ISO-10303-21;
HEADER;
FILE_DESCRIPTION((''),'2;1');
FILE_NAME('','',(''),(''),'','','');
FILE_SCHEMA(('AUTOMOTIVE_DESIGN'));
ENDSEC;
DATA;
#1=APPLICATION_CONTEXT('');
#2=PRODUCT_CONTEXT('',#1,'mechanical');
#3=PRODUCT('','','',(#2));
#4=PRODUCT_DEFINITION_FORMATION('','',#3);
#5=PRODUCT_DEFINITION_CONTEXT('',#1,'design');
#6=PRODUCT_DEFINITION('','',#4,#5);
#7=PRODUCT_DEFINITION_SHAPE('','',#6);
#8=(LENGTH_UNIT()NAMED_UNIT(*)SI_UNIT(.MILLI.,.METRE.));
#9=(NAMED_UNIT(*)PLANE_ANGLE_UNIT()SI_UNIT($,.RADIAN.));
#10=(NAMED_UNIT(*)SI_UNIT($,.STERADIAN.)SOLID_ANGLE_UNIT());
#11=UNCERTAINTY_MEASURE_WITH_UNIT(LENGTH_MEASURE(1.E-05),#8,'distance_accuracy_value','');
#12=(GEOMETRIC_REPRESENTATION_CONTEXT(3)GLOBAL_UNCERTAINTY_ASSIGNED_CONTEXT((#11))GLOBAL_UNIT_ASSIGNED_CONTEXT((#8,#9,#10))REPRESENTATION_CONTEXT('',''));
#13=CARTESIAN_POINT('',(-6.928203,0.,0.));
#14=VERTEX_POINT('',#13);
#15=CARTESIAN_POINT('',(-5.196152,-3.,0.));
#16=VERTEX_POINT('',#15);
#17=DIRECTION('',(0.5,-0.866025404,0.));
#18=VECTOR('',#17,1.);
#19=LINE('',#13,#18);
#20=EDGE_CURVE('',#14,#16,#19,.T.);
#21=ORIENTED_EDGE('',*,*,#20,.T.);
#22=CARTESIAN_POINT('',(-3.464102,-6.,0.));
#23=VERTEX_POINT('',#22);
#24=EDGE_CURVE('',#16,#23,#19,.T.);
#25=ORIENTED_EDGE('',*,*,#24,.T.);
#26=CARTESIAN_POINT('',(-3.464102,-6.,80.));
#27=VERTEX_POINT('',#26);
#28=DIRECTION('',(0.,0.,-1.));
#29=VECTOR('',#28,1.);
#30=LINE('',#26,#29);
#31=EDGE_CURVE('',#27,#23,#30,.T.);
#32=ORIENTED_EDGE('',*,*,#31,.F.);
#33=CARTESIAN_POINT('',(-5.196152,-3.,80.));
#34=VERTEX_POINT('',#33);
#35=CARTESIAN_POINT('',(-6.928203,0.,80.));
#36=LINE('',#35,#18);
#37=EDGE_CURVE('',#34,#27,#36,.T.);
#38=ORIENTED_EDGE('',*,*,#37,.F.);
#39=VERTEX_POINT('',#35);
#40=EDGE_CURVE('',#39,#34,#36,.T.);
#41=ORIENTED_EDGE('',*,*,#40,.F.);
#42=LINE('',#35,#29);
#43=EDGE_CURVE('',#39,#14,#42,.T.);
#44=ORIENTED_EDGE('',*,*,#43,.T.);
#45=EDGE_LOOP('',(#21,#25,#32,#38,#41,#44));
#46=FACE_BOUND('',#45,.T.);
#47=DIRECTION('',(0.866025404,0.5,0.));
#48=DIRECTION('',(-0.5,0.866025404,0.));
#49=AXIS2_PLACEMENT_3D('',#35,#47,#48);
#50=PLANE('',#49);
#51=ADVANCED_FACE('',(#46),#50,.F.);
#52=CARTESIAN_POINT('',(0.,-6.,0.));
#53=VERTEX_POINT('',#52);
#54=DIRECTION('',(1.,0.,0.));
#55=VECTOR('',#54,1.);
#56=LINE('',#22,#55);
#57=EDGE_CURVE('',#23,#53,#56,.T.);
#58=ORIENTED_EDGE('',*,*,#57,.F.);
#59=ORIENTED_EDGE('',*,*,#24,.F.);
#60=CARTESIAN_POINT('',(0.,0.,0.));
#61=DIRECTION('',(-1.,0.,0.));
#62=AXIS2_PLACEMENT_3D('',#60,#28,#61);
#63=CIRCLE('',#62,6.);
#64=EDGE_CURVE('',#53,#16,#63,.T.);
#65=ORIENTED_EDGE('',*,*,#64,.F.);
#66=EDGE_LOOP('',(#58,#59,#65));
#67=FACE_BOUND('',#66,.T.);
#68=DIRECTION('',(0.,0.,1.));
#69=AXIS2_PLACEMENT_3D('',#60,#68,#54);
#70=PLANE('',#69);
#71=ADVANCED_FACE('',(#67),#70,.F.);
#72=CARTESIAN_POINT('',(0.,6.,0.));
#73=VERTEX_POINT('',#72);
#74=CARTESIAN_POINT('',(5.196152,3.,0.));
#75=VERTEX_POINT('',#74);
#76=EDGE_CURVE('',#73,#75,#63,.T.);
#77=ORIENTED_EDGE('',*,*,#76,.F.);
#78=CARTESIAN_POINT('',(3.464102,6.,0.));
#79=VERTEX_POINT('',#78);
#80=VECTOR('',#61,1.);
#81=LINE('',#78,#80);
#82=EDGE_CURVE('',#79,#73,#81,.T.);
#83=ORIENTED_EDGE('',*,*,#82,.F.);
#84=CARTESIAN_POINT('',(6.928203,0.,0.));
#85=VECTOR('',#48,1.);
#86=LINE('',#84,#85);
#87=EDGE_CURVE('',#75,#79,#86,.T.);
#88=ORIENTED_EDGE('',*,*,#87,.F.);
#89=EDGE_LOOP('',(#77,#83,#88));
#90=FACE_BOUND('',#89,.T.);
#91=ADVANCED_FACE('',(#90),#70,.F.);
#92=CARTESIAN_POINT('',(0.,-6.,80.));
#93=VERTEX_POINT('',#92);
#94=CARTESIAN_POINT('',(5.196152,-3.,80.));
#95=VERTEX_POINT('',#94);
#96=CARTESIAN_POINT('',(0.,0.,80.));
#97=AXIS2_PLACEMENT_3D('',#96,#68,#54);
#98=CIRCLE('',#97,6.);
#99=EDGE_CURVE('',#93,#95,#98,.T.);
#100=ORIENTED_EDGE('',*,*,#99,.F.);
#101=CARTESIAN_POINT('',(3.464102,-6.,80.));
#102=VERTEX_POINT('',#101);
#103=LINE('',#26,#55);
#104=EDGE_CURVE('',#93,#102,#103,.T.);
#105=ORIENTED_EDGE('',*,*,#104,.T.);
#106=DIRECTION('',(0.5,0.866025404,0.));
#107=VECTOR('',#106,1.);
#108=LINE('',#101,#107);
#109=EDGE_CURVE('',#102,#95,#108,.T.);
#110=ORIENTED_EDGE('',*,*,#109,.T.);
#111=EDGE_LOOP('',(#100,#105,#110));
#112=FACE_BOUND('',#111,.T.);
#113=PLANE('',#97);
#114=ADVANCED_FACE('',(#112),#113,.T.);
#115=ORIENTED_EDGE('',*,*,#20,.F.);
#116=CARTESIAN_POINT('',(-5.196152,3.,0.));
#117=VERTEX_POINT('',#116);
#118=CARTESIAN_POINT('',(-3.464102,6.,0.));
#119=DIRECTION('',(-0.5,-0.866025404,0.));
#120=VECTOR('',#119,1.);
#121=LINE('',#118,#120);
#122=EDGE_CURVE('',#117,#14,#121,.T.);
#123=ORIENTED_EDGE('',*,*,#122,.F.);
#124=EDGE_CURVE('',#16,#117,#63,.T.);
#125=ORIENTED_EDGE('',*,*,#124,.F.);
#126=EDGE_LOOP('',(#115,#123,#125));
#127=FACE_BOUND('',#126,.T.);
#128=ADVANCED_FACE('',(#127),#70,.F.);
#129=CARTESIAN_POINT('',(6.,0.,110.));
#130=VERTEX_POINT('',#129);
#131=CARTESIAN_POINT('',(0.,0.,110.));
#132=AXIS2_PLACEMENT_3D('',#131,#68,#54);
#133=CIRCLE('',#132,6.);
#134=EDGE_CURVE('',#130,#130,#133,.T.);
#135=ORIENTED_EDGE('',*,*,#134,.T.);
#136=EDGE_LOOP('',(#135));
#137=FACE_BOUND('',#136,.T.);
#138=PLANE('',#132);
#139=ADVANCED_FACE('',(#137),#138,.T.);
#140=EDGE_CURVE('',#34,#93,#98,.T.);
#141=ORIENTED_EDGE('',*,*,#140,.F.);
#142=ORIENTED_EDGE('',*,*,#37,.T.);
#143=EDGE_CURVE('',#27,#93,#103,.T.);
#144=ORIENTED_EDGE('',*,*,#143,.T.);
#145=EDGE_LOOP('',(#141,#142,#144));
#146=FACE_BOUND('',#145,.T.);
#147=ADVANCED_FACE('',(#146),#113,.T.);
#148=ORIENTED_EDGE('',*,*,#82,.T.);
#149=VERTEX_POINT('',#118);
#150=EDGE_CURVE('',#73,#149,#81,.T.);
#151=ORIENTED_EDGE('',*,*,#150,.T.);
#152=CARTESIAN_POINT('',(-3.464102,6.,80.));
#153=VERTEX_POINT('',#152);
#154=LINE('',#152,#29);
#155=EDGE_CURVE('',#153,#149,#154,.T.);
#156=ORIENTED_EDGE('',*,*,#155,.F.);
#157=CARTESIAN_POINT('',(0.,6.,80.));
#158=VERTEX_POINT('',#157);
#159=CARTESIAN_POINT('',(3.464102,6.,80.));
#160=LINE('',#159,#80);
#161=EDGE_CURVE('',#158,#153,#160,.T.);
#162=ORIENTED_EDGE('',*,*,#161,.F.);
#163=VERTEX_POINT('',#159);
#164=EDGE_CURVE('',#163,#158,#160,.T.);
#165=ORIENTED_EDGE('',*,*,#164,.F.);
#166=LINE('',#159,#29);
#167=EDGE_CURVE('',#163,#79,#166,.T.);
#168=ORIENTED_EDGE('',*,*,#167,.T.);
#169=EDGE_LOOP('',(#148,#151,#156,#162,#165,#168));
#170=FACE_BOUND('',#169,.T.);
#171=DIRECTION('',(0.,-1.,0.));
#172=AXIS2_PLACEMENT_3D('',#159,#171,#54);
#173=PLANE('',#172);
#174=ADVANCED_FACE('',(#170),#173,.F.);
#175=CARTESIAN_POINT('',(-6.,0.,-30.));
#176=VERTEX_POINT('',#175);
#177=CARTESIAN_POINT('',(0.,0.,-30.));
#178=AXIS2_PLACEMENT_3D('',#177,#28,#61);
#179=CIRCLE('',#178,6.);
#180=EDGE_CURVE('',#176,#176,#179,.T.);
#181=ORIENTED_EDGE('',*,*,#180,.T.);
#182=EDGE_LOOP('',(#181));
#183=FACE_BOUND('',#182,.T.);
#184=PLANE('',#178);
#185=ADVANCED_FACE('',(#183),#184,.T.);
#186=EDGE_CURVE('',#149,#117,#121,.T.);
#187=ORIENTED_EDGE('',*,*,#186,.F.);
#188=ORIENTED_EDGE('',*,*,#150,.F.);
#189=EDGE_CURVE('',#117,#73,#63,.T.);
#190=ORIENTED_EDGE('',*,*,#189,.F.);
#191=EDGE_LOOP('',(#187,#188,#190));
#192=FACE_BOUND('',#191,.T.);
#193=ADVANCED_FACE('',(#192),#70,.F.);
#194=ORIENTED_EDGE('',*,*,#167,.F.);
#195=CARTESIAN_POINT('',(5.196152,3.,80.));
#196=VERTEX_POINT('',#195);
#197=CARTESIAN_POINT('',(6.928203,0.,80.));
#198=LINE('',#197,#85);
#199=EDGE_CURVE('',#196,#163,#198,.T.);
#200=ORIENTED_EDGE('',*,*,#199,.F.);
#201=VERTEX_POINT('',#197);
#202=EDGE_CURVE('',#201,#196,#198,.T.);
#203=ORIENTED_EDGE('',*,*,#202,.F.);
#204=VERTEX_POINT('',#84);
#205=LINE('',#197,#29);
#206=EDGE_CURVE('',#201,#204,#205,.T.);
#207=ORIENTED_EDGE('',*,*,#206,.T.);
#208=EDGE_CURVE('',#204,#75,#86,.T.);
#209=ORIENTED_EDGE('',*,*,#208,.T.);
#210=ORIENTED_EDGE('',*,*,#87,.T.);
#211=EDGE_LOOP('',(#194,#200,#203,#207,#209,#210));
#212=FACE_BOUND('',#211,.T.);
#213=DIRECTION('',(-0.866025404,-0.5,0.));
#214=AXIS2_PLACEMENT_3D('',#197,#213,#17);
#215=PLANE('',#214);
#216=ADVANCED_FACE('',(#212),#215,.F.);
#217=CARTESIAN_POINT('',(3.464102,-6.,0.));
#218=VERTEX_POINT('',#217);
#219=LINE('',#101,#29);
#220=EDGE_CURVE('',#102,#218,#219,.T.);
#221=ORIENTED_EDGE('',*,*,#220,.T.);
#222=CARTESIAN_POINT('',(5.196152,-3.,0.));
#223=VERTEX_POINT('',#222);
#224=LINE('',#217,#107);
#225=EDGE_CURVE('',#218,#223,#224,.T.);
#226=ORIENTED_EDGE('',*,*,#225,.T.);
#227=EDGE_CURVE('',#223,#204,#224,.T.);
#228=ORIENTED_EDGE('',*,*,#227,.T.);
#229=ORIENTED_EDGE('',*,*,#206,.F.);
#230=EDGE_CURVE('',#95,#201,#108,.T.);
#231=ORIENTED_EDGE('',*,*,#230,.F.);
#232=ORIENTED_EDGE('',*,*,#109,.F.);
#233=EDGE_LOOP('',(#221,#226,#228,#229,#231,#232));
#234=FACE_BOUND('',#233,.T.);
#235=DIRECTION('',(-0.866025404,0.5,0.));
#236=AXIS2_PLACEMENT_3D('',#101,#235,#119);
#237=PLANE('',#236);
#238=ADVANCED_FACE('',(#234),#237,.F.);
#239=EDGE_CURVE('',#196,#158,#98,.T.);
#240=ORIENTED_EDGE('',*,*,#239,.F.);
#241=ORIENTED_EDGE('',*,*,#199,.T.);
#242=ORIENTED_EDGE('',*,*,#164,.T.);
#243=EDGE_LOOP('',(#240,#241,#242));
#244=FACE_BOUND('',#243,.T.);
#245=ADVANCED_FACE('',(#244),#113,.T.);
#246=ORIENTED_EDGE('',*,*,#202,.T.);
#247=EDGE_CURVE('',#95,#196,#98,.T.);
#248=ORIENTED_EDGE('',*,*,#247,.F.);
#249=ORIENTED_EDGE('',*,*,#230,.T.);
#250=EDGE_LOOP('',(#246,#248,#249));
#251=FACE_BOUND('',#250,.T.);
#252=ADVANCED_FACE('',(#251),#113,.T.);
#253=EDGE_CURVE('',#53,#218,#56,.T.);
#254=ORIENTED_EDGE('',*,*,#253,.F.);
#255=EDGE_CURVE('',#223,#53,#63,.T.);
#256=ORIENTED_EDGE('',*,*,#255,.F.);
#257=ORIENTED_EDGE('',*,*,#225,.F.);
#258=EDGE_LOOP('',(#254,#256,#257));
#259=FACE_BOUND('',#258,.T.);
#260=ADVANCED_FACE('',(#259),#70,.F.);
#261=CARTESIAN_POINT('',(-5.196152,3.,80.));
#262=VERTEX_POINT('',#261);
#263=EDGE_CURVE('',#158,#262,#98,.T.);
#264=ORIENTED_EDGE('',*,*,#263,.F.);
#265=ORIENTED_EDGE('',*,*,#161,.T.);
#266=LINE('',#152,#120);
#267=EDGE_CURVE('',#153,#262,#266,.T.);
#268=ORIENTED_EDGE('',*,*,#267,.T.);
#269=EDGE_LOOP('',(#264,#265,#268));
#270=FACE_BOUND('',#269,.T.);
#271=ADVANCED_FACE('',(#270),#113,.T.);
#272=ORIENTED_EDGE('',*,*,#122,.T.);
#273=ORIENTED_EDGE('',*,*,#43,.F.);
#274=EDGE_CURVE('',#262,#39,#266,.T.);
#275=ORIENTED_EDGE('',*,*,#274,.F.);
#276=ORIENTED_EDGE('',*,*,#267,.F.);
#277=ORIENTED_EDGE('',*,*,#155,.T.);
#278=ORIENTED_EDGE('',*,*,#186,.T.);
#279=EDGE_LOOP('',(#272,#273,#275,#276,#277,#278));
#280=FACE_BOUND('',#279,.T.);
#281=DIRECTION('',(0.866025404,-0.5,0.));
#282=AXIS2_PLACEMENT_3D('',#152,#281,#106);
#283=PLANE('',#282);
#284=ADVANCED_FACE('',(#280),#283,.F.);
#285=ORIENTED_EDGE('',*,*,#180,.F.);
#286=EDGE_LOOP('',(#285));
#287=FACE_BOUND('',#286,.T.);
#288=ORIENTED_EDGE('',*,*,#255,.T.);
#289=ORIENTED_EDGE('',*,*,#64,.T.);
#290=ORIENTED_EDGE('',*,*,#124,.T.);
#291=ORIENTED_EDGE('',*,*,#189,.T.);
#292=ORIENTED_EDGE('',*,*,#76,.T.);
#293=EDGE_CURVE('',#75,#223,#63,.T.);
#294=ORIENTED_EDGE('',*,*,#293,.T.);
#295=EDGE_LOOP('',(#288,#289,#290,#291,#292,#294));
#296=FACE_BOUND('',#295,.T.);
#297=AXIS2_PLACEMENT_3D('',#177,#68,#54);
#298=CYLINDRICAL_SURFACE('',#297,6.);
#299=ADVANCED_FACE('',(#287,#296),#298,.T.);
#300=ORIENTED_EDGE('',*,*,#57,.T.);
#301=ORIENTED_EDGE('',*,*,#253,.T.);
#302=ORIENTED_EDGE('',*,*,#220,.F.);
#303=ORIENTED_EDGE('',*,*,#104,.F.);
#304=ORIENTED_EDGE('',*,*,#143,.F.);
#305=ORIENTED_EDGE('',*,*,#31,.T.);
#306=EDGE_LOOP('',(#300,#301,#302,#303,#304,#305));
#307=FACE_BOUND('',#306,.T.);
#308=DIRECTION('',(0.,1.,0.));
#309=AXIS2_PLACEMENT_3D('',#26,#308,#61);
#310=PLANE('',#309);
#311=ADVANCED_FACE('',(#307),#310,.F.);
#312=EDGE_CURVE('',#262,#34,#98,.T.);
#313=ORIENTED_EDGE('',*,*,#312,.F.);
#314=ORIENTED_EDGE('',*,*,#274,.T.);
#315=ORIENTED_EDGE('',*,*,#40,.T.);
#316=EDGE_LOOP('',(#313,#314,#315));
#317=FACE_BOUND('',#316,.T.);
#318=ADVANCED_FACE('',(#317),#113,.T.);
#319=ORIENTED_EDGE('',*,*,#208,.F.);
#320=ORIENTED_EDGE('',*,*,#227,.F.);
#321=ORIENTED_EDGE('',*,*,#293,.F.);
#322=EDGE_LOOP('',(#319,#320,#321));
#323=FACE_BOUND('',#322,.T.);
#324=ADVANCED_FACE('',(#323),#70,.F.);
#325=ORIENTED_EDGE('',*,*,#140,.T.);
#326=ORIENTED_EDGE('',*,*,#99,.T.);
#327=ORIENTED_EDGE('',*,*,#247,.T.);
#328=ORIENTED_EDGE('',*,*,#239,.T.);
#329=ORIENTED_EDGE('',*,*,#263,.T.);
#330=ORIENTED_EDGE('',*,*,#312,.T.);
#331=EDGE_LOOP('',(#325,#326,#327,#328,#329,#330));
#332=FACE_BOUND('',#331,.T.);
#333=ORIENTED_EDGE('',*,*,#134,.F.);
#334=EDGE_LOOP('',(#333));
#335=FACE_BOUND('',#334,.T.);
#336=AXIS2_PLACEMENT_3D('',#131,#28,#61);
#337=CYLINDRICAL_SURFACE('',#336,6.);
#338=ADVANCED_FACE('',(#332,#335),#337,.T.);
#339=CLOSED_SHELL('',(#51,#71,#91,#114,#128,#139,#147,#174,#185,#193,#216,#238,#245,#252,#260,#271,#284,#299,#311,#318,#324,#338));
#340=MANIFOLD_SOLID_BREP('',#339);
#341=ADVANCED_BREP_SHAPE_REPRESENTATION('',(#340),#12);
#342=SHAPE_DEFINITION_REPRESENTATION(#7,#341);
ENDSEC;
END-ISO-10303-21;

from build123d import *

# Parameters (mm, degrees)
BOSS_EXTRUDE1_DEPTH = 80
SKETCH2_R           = 6
BOSS_EXTRUDE2_DEPTH = 30
SKETCH3_R           = 6
BOSS_EXTRUDE3_DEPTH = 30


with BuildPart() as part:
    # Sketch1 → Boss-Extrude1 (new body)
    with BuildSketch(Plane.XY):
        Polygon((3.464101615, 6), (-3.464101615, 6), (-6.92820323, 0), (-3.464101615, -6), (3.464101615, -6), (6.92820323, 0), align=None)
    extrude(amount=BOSS_EXTRUDE1_DEPTH)

    # Sketch2 → Boss-Extrude2 (add)
    with BuildSketch(Plane.XY.offset(80)):
        Circle(SKETCH2_R)
    extrude(amount=BOSS_EXTRUDE2_DEPTH)

    # Sketch3 → Boss-Extrude3 (add)
    with BuildSketch(Plane(origin=(0, 0, 0), x_dir=(-1, 0, 0), z_dir=(0, 0, -1))):
        Circle(SKETCH3_R)
    extrude(amount=BOSS_EXTRUDE3_DEPTH)


solid = part.part
